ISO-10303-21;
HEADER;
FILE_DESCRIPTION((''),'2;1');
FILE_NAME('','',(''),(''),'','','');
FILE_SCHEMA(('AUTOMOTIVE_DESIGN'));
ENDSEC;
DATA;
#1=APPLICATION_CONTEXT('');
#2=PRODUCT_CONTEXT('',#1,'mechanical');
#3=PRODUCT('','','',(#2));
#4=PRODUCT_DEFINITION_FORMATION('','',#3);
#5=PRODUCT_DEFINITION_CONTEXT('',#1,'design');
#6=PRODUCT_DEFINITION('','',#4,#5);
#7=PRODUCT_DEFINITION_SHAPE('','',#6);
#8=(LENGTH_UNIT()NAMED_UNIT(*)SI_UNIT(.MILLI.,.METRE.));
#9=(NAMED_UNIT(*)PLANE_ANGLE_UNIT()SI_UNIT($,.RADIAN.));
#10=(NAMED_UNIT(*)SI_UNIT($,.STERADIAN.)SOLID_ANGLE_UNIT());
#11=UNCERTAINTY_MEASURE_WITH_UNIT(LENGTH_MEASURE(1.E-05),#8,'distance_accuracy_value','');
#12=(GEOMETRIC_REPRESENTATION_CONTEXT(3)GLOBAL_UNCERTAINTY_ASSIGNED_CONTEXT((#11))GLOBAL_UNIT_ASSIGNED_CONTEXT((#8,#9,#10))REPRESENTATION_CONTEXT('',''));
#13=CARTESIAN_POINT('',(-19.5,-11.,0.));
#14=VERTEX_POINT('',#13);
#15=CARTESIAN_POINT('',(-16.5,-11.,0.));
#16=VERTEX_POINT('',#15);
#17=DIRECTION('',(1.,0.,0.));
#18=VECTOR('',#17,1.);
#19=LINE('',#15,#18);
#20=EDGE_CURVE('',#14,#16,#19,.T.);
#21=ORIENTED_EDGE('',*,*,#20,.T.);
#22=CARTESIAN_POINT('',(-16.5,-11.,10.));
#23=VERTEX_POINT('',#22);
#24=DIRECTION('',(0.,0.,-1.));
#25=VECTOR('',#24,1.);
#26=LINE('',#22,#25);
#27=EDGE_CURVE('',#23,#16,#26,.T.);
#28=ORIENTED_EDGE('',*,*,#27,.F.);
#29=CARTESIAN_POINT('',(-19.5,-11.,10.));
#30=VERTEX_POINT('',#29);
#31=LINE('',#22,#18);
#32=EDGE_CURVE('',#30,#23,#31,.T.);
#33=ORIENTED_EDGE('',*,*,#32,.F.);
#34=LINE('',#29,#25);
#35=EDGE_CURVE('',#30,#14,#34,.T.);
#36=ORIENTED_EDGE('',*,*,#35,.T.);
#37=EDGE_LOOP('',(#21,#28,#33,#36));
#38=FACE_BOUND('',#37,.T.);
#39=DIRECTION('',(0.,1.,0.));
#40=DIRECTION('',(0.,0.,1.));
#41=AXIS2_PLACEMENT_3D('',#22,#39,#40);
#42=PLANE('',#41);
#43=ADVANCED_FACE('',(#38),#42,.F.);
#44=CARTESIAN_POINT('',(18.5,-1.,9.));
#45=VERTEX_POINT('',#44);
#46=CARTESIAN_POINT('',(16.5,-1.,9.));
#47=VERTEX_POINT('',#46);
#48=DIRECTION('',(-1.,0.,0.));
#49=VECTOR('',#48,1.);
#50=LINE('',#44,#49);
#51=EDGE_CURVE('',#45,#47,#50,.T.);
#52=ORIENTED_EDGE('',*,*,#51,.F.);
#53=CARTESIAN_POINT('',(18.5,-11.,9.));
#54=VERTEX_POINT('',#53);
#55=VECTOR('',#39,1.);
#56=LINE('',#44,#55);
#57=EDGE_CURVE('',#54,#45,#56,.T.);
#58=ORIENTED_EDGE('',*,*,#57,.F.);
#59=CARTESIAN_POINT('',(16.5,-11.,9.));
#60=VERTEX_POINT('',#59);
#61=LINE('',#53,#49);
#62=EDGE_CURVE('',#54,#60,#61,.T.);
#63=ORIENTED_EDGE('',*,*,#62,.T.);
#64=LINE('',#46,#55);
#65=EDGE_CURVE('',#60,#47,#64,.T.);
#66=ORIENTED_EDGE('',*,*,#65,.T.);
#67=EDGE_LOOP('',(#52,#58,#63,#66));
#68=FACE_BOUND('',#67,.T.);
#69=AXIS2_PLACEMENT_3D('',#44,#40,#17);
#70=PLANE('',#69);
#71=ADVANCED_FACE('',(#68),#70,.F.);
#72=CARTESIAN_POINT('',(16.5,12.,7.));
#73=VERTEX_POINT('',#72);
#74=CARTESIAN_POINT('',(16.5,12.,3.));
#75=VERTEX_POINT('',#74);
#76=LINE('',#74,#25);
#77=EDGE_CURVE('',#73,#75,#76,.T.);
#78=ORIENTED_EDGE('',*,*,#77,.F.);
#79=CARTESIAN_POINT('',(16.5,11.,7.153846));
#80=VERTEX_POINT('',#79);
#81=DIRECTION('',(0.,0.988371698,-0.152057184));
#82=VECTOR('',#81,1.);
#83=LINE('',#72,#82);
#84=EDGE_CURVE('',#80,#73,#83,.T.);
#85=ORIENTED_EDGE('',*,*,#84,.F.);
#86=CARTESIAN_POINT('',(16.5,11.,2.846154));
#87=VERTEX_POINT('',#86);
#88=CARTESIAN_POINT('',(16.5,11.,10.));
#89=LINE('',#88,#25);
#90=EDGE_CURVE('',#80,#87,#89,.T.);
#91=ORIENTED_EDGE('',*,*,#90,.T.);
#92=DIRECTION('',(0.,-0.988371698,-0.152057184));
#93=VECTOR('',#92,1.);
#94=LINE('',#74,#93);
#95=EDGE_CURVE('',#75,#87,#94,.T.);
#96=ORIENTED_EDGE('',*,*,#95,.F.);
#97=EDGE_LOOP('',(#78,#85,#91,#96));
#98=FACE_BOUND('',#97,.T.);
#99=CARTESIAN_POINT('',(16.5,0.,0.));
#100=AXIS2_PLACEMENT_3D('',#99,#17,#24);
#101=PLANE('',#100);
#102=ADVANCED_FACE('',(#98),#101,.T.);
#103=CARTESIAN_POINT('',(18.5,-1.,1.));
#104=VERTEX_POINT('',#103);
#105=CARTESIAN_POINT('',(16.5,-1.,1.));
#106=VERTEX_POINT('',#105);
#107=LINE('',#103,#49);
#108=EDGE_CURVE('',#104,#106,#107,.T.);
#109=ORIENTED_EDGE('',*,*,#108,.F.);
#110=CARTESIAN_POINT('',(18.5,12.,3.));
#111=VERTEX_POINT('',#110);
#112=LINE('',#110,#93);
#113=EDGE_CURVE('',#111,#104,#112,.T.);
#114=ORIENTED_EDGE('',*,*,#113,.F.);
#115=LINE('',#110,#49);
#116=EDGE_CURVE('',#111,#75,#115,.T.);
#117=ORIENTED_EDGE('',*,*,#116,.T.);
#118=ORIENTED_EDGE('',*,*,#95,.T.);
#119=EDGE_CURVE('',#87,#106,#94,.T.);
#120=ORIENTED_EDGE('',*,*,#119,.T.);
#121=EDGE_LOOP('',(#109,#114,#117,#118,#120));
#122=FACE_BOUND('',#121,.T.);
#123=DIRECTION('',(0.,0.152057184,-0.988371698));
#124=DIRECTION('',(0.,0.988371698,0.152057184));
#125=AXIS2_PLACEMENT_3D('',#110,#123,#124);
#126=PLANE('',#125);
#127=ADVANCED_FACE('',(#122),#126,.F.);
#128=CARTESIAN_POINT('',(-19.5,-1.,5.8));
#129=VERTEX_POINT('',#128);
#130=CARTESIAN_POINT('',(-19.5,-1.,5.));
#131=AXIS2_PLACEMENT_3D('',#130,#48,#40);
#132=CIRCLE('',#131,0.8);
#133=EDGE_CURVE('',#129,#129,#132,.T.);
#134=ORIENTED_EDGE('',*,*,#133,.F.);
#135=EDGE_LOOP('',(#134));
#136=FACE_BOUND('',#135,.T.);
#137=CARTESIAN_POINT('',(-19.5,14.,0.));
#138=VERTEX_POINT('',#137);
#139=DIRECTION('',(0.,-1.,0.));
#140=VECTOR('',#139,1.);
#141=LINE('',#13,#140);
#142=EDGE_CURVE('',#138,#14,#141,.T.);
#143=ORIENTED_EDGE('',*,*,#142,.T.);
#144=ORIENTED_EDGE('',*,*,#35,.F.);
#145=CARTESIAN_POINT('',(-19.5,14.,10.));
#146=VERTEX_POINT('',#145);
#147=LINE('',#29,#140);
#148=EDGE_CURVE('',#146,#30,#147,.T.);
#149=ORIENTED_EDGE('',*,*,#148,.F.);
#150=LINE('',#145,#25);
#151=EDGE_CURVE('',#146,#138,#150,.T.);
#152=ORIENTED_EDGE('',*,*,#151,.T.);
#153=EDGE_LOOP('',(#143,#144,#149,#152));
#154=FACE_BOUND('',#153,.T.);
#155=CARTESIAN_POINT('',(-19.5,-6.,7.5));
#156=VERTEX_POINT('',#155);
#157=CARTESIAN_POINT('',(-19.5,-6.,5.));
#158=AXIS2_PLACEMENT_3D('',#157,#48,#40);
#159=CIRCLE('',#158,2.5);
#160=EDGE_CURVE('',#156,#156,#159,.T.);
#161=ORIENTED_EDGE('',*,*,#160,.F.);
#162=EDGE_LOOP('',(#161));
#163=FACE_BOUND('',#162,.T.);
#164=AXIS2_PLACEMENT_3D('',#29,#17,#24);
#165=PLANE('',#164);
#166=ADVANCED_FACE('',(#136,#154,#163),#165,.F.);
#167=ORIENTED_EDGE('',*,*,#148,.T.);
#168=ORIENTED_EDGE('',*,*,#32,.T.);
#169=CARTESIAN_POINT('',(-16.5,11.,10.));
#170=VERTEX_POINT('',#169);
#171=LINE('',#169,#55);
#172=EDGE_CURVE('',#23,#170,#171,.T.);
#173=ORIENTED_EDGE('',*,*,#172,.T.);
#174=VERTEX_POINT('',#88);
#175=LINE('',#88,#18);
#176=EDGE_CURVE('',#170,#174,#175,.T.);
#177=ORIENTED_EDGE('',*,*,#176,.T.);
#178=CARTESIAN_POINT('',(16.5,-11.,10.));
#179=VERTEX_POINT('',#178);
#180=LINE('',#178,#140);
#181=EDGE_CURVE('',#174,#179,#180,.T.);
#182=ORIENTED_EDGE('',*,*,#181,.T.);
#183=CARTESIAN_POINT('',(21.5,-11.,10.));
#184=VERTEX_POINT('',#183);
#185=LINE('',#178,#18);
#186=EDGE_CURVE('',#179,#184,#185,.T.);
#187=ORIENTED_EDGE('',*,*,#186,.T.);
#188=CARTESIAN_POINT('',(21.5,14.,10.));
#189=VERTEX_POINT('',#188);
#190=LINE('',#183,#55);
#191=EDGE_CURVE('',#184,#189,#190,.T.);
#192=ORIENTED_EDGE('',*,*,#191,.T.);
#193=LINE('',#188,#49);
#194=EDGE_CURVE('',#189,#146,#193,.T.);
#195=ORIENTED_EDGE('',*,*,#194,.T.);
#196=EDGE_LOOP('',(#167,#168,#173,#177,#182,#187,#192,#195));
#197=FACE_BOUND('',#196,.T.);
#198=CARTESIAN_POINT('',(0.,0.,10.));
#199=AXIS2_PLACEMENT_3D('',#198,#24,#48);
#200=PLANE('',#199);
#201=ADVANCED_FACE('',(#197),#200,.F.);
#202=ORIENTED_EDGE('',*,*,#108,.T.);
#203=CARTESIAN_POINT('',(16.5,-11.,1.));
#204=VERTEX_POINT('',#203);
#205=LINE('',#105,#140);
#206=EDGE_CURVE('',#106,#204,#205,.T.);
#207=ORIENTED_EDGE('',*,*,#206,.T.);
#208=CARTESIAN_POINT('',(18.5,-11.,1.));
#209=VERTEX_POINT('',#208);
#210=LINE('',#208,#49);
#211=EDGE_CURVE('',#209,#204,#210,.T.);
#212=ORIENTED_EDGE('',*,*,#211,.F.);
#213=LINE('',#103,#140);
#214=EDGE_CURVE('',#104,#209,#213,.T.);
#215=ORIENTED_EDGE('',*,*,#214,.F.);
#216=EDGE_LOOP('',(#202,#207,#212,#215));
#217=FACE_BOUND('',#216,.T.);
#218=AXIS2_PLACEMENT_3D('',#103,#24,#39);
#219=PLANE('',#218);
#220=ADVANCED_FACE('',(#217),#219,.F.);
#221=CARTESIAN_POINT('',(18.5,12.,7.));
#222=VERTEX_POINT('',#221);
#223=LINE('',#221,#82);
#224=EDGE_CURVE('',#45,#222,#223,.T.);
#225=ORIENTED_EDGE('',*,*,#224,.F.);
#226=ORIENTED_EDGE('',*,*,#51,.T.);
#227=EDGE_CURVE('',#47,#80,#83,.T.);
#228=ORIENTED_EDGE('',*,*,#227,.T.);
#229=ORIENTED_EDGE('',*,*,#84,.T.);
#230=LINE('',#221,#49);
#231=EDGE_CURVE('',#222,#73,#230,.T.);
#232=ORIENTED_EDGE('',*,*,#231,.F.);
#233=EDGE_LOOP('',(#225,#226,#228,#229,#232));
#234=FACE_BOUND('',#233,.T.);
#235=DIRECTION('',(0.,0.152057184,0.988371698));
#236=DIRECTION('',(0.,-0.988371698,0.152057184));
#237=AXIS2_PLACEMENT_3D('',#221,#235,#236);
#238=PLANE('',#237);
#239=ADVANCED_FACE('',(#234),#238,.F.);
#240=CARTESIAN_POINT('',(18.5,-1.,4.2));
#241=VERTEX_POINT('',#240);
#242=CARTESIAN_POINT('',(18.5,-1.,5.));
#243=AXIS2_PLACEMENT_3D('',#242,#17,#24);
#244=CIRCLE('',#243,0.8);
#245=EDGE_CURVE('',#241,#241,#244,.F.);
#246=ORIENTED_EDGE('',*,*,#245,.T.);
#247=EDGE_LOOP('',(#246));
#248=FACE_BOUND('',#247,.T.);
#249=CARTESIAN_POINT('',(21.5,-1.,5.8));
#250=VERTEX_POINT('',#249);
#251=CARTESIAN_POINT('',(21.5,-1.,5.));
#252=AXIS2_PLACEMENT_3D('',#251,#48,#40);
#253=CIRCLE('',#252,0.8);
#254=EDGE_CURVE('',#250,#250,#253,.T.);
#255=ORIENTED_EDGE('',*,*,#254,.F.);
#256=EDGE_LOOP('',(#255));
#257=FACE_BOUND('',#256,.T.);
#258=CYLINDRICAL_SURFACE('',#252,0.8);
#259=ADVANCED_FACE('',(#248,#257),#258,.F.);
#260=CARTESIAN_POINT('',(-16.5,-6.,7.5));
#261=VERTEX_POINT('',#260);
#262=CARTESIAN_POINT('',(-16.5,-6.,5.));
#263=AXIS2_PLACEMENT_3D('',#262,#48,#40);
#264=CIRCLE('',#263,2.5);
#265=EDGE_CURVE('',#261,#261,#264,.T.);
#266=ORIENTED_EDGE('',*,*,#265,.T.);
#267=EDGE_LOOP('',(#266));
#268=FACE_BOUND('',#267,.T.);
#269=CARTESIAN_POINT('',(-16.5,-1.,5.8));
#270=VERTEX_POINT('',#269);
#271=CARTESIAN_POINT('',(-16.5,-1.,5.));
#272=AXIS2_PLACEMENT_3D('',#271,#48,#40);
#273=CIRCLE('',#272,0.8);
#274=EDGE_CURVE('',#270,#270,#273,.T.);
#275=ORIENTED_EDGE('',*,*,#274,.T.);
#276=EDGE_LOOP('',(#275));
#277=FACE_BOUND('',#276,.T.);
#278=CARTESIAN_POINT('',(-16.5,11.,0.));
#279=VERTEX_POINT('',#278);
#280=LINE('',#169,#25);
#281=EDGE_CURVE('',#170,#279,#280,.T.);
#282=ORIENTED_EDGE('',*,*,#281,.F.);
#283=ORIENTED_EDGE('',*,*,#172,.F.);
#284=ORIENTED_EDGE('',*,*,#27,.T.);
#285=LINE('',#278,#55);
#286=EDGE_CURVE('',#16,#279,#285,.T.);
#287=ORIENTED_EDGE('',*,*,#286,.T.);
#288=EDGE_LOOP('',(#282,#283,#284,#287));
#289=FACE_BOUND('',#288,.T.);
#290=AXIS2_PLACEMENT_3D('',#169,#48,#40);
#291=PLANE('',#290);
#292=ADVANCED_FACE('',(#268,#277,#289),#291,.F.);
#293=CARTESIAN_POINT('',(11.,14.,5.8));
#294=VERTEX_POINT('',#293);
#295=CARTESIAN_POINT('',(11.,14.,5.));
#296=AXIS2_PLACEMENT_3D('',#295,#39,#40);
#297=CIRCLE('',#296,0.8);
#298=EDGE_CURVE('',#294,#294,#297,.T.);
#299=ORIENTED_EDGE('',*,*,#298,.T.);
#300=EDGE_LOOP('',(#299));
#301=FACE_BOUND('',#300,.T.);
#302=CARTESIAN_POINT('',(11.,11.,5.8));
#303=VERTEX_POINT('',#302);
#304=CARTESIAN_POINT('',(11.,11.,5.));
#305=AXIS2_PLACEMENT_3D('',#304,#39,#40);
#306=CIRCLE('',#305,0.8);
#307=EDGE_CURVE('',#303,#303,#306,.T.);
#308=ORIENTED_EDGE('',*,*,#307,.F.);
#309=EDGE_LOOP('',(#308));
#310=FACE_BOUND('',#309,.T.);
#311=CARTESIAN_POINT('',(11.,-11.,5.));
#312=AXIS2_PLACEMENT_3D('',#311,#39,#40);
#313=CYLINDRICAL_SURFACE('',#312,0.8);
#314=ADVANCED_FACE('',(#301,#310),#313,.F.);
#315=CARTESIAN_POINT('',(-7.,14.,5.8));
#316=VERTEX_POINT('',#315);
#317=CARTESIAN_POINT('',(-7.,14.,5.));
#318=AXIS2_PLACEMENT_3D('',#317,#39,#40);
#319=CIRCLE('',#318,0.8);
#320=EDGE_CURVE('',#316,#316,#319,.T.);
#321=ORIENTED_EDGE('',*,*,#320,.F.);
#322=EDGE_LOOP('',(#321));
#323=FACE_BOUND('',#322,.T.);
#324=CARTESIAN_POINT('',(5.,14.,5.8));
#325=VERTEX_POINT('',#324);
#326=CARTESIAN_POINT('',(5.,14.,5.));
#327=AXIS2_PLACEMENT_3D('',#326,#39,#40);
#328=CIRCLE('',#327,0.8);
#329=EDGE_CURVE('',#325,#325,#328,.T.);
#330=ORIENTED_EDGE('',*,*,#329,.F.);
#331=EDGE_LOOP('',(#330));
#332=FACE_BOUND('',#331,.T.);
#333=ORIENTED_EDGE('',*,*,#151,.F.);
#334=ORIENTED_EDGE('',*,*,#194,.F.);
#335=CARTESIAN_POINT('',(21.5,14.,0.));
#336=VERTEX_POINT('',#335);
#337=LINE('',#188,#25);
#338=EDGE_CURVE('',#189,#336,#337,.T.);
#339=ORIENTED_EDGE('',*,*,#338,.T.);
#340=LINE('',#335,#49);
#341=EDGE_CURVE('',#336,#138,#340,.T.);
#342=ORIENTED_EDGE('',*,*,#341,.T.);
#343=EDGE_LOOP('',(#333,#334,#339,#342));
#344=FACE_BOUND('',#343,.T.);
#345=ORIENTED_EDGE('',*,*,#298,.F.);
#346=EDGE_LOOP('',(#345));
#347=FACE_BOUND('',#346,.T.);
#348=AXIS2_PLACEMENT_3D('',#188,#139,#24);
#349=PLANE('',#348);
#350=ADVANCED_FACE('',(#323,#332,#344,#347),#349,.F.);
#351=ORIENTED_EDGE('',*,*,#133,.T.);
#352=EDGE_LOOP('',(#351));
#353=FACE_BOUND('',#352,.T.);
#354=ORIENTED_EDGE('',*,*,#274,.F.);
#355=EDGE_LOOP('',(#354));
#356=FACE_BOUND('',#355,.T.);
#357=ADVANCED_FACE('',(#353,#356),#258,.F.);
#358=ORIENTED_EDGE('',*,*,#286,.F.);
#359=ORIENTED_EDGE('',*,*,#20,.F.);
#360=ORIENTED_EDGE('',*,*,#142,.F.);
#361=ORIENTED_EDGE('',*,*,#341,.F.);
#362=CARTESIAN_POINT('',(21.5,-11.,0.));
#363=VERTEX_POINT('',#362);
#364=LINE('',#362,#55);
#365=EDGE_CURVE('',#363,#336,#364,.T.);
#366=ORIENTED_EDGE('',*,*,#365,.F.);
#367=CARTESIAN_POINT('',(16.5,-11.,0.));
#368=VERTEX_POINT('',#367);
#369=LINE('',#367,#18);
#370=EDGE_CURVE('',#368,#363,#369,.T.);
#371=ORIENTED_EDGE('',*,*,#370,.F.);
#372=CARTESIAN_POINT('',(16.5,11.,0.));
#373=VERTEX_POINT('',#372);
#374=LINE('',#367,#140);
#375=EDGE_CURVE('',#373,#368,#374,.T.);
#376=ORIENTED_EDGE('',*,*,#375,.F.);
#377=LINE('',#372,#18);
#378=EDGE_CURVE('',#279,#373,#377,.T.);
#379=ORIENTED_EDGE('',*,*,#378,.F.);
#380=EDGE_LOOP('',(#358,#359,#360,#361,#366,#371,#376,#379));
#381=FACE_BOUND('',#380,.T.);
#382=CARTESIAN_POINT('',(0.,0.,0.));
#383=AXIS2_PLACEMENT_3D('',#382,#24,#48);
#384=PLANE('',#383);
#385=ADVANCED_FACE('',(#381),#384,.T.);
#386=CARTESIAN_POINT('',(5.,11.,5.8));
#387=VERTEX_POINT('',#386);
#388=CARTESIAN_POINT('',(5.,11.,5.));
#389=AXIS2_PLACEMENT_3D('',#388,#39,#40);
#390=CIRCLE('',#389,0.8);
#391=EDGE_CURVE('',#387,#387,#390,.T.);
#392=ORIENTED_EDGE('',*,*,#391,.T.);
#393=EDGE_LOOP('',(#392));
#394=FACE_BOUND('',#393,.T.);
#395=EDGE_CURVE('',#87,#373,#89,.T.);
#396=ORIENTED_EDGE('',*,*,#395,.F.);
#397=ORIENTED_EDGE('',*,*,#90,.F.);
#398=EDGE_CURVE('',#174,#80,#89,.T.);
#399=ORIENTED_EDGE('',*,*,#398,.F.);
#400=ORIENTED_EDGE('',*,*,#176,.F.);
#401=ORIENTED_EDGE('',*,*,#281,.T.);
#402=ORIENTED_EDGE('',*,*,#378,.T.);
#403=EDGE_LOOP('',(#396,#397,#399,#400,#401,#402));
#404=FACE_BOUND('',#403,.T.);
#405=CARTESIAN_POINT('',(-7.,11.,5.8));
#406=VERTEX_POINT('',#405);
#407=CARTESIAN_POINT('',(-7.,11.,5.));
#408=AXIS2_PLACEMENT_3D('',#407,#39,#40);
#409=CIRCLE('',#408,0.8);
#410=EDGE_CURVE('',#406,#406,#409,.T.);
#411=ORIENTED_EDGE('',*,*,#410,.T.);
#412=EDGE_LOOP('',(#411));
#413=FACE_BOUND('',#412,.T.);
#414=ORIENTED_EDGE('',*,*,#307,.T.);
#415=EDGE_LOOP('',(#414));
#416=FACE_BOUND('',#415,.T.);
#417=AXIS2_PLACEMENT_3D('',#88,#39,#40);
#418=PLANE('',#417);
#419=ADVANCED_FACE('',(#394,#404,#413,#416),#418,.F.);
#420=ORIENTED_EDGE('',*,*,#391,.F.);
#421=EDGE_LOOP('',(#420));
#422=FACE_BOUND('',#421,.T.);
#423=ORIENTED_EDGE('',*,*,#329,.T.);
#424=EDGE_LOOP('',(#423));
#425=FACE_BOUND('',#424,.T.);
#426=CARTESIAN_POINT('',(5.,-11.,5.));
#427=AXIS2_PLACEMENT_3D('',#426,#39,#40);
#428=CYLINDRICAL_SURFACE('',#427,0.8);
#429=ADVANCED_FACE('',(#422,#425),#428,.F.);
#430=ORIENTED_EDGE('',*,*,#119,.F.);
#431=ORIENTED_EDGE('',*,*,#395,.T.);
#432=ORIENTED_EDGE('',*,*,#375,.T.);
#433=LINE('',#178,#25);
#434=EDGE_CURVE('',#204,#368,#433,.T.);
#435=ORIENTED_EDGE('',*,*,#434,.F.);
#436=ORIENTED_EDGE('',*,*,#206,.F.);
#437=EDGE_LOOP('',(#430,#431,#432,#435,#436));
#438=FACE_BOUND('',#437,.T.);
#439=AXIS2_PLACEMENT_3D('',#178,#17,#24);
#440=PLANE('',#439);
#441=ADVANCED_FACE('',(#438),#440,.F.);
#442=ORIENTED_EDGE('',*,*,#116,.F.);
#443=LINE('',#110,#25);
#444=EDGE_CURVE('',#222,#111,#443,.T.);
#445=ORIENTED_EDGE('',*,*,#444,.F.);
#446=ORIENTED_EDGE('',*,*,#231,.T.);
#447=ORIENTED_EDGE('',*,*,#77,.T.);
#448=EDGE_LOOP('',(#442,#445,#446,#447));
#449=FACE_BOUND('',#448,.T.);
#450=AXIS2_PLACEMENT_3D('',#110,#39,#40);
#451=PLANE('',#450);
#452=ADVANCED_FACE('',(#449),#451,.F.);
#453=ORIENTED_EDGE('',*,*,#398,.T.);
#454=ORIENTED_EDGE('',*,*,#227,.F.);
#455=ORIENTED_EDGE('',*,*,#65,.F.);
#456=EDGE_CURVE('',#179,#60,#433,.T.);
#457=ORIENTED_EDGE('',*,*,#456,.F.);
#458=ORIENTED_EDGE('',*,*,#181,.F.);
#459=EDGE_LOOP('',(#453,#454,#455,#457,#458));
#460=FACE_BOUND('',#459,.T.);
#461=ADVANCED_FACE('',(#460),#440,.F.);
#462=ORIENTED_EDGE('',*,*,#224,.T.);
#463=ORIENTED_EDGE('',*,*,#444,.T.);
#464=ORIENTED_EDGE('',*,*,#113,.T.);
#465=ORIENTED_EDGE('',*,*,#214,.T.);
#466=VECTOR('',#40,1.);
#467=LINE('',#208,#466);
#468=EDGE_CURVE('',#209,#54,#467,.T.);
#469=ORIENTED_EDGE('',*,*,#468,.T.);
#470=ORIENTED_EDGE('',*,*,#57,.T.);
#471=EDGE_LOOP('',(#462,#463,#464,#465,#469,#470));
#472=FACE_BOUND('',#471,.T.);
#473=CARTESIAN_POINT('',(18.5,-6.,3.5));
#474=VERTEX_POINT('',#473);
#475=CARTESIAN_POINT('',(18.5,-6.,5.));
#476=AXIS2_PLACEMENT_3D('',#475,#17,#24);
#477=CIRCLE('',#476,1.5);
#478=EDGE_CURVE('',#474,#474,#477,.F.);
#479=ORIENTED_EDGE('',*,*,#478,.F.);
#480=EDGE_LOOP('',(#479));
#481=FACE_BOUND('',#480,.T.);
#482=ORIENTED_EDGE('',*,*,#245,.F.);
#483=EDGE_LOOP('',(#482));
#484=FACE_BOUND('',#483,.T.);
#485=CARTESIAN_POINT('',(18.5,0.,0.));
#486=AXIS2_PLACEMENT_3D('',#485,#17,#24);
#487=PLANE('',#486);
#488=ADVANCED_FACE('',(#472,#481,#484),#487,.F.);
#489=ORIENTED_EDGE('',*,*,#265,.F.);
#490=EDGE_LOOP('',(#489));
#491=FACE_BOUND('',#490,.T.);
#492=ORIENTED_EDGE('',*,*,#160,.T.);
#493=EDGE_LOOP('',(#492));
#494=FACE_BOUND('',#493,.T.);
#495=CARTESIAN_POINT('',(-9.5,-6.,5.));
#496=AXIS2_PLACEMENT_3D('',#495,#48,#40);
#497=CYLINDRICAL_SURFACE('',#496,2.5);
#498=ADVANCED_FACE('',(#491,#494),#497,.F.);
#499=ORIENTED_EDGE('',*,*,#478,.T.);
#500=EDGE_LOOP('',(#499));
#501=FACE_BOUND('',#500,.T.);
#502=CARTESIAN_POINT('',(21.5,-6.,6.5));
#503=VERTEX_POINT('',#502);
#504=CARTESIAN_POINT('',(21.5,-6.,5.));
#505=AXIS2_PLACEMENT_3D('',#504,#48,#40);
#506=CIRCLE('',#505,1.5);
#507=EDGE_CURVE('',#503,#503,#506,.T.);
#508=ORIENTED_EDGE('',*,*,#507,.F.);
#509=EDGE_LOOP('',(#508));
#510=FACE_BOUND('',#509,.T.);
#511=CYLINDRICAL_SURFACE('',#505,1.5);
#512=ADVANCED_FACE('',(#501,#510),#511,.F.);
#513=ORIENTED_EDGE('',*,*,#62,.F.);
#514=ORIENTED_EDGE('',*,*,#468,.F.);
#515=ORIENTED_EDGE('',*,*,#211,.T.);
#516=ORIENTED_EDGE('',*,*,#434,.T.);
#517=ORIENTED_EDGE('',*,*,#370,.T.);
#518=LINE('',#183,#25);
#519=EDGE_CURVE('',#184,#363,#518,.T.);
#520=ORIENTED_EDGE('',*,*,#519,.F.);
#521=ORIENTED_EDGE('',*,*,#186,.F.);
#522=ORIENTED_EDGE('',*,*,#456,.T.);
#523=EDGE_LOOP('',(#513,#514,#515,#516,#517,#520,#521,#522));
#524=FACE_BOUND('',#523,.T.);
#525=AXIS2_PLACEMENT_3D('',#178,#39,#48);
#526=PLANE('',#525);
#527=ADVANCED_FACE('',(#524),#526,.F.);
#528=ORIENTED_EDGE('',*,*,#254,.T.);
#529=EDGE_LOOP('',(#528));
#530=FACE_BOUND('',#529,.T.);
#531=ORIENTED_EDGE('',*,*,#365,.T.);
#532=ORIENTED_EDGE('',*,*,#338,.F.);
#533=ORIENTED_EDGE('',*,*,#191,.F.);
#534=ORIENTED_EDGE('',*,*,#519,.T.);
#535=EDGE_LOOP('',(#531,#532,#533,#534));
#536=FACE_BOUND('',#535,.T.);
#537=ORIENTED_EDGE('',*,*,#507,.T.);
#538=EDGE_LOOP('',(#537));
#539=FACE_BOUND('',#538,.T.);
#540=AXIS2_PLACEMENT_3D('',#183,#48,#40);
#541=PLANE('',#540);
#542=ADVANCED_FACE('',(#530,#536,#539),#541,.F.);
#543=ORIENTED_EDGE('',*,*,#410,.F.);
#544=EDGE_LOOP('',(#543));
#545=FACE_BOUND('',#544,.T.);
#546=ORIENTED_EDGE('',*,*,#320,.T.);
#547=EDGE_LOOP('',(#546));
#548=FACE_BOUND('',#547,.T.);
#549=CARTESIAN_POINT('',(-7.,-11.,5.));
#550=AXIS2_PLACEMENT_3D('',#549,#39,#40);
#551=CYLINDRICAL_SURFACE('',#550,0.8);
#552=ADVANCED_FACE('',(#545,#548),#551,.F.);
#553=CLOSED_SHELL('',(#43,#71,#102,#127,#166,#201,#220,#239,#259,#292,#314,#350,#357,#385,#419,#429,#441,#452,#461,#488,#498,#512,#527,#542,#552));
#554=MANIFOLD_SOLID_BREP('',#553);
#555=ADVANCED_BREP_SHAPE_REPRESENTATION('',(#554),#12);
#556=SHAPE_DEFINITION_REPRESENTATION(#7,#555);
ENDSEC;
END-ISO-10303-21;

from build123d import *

# Parameters (mm, degrees)
BOSS_EXTRUDE1_DEPTH = 10
SKETCH4_R           = 1.5
SKETCH4_R_2         = 0.8
CUT_EXTRUDE1_DEPTH  = 42
SKETCH6_R           = 0.8
CUT_EXTRUDE2_DEPTH  = 26
CUT_EXTRUDE3_DEPTH  = 2
SKETCH9_R           = 2.5
CUT_EXTRUDE4_DEPTH  = 10


with BuildPart() as part:
    # Sketch2 → Boss-Extrude1 (new body)
    with BuildSketch(Plane.XY):
        Polygon((-16.5, -11), (-19.5, -11), (-19.5, 14), (21.5, 14), (21.5, -11), (16.5, -11), (16.5, 11), (-16.5, 11), align=None)
    extrude(amount=BOSS_EXTRUDE1_DEPTH)

    # Sketch4 → Cut-Extrude1 (cut, through all)
    with BuildSketch(Plane.ZY.offset(19.5)):
        with Locations((5, -6)):
            Circle(SKETCH4_R)
        with Locations((5, -1)):
            Circle(SKETCH4_R_2)
    extrude(amount=-CUT_EXTRUDE1_DEPTH, mode=Mode.SUBTRACT)

    # Sketch6 → Cut-Extrude2 (cut, through all)
    with BuildSketch(Plane(origin=(0, 14, 0), x_dir=(1, 0, 0), z_dir=(0, 1, 0))):
        with Locations((-7, -5)):
            Circle(SKETCH6_R)
        with Locations((11, -5)):
            Circle(SKETCH6_R)
        with Locations((5, -5)):
            Circle(SKETCH6_R)
    extrude(amount=-CUT_EXTRUDE2_DEPTH, mode=Mode.SUBTRACT)

    # Sketch8 → Cut-Extrude3 (cut)
    with BuildSketch(Plane.ZY.offset(-16.5)):
        Polygon((1, -1), (1, -11), (9, -11), (9, -1), (7, 12), (3, 12), align=None)
    extrude(amount=-CUT_EXTRUDE3_DEPTH, mode=Mode.SUBTRACT)

    # Sketch9 → Cut-Extrude4 (cut)
    with BuildSketch(Plane.ZY.offset(19.5)):
        with Locations((5, -6)):
            Circle(SKETCH9_R)
    extrude(amount=-CUT_EXTRUDE4_DEPTH, mode=Mode.SUBTRACT)


solid = part.part
